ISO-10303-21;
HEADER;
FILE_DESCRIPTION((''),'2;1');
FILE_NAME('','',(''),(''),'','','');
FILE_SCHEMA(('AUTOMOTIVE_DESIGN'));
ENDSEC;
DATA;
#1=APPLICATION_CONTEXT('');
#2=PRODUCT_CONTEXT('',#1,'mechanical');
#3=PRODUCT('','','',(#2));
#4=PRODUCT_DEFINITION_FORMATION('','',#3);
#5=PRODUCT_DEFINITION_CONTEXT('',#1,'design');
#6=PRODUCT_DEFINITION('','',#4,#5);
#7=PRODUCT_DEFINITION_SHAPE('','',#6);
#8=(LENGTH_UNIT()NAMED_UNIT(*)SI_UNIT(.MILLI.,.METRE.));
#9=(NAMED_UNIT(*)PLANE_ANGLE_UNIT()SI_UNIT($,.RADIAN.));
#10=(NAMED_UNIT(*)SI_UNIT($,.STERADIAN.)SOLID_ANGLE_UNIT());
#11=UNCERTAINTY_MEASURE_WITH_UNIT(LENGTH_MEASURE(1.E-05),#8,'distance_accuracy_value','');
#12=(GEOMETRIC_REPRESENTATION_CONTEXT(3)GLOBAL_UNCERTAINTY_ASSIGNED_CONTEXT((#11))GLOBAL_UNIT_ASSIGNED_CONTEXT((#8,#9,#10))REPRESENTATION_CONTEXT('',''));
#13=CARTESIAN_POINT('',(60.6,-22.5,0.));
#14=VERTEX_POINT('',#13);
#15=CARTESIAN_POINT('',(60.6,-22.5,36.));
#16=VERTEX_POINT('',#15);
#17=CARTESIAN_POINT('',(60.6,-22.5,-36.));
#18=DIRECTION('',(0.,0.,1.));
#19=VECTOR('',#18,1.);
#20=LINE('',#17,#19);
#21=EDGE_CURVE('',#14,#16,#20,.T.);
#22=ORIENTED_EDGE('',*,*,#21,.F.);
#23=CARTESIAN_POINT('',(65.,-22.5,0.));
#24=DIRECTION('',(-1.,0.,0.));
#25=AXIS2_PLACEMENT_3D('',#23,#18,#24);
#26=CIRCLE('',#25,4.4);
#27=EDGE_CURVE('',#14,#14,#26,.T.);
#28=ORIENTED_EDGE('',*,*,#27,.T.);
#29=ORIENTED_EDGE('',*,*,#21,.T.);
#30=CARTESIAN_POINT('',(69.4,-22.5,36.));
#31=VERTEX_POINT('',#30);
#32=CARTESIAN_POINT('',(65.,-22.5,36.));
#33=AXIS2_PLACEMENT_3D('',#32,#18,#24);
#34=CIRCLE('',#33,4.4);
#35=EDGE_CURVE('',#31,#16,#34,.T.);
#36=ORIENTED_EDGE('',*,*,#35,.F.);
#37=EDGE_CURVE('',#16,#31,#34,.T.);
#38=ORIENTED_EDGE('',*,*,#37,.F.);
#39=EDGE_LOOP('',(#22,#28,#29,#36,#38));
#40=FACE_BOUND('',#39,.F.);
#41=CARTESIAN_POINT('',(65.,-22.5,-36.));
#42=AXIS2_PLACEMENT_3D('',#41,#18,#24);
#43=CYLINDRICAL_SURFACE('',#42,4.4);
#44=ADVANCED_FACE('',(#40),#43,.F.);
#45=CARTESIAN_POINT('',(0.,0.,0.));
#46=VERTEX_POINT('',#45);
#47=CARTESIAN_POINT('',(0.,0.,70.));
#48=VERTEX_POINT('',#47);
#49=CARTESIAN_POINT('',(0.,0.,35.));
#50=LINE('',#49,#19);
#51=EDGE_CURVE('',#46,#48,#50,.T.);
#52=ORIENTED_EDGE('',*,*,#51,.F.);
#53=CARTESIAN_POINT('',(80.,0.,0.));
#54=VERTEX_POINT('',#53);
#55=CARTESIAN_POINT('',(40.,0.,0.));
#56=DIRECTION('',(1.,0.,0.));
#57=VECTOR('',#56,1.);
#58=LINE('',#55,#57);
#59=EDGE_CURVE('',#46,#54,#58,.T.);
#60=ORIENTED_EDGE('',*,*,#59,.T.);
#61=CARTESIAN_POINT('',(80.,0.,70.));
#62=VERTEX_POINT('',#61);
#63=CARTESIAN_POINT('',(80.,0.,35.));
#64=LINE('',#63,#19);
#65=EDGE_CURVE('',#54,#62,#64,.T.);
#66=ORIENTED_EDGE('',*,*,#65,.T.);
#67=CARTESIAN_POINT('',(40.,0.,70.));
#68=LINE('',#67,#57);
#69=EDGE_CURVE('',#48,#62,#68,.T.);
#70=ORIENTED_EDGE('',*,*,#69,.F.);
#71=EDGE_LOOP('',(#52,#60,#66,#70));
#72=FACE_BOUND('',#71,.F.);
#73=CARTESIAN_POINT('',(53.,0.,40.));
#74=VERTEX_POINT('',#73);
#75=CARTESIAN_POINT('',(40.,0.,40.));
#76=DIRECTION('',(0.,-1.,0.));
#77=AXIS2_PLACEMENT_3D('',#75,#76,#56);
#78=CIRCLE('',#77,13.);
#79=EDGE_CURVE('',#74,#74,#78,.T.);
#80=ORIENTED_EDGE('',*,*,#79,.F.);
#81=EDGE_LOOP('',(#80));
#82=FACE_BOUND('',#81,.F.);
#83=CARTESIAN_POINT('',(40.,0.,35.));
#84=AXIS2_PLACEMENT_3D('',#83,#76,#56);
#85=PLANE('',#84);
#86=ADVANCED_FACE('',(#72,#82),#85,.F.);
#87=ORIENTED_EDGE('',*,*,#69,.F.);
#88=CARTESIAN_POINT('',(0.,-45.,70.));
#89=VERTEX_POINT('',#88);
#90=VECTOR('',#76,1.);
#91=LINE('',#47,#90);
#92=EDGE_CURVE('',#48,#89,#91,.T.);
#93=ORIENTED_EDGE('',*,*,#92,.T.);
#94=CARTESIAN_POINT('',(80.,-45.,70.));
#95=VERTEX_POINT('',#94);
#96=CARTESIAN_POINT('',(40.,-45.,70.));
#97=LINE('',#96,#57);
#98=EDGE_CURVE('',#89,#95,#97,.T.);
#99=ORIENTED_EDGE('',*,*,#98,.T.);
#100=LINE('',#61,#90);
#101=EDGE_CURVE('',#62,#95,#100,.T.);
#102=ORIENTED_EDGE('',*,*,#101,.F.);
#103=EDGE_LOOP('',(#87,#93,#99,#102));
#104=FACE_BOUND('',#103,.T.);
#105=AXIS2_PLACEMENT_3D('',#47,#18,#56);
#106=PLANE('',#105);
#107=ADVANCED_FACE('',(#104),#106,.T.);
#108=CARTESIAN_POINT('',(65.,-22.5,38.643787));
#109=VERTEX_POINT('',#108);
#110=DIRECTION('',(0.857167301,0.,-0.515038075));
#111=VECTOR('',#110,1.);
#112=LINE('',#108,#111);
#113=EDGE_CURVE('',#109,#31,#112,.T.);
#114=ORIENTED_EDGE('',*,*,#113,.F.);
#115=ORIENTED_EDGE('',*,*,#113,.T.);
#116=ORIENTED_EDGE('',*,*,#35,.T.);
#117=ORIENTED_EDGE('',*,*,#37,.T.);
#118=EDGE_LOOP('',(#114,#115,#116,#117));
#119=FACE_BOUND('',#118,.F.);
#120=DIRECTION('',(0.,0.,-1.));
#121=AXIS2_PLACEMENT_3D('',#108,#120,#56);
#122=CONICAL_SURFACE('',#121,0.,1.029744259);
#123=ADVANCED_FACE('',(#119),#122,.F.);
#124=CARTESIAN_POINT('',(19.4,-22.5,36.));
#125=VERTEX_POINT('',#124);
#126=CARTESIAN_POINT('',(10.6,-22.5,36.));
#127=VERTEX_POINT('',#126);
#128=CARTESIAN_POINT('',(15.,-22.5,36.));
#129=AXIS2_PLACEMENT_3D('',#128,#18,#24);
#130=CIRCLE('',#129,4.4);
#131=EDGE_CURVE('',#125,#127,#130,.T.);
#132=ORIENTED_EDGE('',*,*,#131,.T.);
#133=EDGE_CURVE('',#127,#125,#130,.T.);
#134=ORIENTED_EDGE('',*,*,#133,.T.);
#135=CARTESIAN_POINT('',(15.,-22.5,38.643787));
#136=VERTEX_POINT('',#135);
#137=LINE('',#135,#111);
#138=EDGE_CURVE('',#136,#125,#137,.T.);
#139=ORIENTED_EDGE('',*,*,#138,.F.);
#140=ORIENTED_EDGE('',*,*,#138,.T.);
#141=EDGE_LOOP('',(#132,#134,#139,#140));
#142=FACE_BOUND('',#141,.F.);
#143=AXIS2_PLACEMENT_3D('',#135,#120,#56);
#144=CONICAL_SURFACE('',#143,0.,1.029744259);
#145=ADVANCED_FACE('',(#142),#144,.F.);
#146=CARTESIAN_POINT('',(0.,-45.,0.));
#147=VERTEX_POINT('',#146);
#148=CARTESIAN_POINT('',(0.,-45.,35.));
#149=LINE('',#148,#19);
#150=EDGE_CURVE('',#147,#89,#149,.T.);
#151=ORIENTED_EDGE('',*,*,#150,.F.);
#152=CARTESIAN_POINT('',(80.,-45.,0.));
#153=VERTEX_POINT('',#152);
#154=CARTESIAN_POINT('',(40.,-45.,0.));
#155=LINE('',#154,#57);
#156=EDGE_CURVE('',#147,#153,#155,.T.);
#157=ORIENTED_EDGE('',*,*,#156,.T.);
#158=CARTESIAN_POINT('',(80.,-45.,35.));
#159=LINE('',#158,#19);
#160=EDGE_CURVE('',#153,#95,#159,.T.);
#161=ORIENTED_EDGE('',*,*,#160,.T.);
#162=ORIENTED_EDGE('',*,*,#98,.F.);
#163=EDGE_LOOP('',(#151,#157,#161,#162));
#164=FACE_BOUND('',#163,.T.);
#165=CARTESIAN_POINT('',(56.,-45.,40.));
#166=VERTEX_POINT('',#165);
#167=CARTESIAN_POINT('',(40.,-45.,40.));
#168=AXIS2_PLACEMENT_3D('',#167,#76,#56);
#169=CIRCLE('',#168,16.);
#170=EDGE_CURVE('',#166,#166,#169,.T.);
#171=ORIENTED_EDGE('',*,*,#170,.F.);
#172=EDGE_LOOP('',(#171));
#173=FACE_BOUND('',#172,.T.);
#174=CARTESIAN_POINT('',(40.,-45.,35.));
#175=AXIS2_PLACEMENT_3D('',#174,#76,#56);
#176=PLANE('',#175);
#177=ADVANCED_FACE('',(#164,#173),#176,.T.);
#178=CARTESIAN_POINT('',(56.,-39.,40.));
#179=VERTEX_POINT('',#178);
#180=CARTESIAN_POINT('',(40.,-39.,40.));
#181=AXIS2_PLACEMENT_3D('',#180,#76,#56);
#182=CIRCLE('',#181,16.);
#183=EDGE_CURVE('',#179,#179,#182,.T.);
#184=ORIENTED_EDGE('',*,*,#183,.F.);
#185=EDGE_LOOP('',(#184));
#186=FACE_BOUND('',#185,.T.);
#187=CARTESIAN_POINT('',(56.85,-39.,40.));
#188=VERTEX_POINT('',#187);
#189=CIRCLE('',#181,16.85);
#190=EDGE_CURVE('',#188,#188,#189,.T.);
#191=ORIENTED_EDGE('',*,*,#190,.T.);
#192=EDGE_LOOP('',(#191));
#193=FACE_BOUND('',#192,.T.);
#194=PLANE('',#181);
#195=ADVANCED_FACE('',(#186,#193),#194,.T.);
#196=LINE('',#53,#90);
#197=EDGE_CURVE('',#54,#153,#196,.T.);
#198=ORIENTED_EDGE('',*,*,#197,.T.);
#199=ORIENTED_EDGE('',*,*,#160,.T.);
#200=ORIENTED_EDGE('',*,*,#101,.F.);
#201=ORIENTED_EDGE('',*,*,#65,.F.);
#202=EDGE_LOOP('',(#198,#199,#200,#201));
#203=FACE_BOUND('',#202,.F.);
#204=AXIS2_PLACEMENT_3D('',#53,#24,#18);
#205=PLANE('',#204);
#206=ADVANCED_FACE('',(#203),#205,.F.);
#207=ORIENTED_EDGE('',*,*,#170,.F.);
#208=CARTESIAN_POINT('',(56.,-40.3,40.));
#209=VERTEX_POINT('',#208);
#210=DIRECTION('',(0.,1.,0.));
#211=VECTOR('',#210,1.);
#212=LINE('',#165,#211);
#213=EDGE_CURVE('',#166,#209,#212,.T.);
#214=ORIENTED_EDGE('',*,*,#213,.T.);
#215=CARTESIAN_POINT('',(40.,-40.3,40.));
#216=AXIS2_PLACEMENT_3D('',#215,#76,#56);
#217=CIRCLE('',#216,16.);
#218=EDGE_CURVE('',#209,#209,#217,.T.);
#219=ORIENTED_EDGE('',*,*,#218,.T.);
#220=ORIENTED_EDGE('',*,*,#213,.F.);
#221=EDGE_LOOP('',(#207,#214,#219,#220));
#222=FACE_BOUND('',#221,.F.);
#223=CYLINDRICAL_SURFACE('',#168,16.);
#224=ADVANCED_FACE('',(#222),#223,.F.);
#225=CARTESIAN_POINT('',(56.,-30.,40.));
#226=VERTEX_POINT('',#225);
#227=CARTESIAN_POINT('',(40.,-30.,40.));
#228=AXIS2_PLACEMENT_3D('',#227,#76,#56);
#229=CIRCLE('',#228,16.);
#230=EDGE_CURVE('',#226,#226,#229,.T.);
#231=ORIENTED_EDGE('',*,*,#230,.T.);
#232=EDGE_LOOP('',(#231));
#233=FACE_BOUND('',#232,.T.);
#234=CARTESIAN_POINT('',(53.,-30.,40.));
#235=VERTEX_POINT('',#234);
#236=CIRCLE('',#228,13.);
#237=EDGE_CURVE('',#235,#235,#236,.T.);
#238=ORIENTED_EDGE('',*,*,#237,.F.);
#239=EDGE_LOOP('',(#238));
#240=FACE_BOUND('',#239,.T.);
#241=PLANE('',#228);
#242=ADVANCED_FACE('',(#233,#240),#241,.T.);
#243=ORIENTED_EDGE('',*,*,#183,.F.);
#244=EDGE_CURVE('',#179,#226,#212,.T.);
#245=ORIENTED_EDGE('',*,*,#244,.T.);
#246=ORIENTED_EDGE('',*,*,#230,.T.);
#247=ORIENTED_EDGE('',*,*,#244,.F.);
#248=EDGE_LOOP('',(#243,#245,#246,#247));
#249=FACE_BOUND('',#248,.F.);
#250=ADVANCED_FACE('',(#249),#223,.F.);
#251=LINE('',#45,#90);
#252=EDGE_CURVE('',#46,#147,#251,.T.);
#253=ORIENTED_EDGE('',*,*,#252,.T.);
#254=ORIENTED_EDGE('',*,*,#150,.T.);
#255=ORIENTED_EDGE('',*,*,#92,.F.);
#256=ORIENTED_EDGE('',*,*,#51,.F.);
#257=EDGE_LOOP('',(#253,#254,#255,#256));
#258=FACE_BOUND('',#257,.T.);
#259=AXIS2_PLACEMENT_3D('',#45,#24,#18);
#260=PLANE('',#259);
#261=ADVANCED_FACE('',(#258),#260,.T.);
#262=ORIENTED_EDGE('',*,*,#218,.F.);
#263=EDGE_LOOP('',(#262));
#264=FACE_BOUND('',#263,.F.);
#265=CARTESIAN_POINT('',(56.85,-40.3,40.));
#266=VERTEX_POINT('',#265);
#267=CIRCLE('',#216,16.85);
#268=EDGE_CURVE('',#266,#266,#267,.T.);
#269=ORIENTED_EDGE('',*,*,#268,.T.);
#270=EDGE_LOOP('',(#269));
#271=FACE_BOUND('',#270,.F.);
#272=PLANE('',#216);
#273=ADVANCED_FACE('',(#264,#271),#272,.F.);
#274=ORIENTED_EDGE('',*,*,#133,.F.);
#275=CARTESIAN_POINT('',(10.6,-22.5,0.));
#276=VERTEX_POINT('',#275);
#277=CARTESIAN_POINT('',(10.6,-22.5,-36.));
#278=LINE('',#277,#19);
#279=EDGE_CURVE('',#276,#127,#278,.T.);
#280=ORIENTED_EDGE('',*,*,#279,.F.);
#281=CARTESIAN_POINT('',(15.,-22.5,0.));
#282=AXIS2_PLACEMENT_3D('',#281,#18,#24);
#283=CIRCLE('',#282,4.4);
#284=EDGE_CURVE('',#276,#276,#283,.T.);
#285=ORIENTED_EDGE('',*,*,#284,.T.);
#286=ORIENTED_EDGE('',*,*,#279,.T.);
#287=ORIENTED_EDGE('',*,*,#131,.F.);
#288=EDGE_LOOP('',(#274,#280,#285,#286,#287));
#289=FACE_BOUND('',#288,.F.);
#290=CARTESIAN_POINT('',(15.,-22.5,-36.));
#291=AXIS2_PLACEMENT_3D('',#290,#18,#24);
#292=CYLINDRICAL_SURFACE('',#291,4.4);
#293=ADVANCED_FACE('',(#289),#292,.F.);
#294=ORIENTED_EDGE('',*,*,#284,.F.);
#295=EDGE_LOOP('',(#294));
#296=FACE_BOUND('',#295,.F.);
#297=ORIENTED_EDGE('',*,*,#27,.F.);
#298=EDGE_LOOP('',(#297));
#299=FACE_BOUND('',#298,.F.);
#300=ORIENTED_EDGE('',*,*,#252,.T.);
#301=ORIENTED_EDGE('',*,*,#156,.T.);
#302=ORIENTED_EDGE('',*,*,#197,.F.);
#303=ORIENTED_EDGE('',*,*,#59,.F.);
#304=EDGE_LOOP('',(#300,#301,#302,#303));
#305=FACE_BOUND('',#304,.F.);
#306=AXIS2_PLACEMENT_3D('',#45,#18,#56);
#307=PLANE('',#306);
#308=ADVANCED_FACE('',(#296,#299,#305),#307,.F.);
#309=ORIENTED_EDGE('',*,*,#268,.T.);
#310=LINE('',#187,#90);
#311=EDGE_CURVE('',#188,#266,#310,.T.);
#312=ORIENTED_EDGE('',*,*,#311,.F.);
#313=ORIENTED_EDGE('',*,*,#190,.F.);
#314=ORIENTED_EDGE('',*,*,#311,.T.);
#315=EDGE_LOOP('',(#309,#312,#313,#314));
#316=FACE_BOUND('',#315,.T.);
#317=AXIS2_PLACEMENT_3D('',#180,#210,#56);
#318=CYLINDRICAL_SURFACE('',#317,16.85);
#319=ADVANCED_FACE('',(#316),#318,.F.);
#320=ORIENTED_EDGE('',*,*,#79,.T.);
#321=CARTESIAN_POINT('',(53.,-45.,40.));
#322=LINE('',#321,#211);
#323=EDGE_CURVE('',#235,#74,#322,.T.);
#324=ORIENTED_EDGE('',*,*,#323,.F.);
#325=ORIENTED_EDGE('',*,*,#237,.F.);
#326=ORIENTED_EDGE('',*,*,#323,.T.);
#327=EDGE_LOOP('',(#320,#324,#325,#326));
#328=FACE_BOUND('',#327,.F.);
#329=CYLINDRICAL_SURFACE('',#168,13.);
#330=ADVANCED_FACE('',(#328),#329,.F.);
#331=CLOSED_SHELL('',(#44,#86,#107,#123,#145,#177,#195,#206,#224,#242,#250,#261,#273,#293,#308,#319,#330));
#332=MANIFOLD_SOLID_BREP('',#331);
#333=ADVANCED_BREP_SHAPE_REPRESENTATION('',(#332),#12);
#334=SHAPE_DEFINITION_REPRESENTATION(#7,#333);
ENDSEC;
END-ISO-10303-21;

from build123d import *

# Parameters (mm, degrees)
F0_W      = 80
F0_H      = 70
F1_DEPTH  = 45
F2_R      = 13
F3_DEPTH  = 45.001
F4_R      = 16
F4_R_2    = 13
F5_DEPTH  = 15
F7_R      = 16.85
F8_DEPTH  = 1.3
F10_D     = 8.8
F10_DEPTH = 36
F10_TIP   = 2.6437867237


with BuildPart() as f1:
    # F0 (on Front) → F1 (new body)
    with BuildSketch(Plane.XZ):
        with Locations((40, 35)):
            Rectangle(F0_W, F0_H)
    extrude(amount=F1_DEPTH)

    # F2 (on face) → F3 (cut, through all)
    with BuildSketch(Plane.XZ.offset(45)):
        with Locations((40, 40)):
            Circle(F2_R)
    extrude(amount=-F3_DEPTH, mode=Mode.SUBTRACT)

    # F4 (on face) → F5 (cut)
    with BuildSketch(Plane.XZ.offset(45)):
        with Locations((40, 40)):
            Circle(F4_R)
        with Locations((40, 40)):
            Circle(F4_R_2, mode=Mode.SUBTRACT)
    extrude(amount=-F5_DEPTH, mode=Mode.SUBTRACT)

    # F7 (on offset) → F8 (cut)
    with BuildSketch(Plane.XZ.offset(39)):
        with Locations((40, 40)):
            Circle(F7_R)
    extrude(amount=F8_DEPTH, mode=Mode.SUBTRACT)

    # F10
    with Locations(Plane(origin=(0, 0, 0), x_dir=(1, 0, 0), z_dir=(0, 0, -1))):
        with Locations((15, 22.5), (65, 22.5)):
            Hole(F10_D / 2, depth=F10_DEPTH)
            with Locations((0, 0, -(F10_DEPTH + F10_TIP / 2))):  # 118° drill point
                Cone(0, F10_D / 2, F10_TIP, mode=Mode.SUBTRACT)


solid = f1.part
